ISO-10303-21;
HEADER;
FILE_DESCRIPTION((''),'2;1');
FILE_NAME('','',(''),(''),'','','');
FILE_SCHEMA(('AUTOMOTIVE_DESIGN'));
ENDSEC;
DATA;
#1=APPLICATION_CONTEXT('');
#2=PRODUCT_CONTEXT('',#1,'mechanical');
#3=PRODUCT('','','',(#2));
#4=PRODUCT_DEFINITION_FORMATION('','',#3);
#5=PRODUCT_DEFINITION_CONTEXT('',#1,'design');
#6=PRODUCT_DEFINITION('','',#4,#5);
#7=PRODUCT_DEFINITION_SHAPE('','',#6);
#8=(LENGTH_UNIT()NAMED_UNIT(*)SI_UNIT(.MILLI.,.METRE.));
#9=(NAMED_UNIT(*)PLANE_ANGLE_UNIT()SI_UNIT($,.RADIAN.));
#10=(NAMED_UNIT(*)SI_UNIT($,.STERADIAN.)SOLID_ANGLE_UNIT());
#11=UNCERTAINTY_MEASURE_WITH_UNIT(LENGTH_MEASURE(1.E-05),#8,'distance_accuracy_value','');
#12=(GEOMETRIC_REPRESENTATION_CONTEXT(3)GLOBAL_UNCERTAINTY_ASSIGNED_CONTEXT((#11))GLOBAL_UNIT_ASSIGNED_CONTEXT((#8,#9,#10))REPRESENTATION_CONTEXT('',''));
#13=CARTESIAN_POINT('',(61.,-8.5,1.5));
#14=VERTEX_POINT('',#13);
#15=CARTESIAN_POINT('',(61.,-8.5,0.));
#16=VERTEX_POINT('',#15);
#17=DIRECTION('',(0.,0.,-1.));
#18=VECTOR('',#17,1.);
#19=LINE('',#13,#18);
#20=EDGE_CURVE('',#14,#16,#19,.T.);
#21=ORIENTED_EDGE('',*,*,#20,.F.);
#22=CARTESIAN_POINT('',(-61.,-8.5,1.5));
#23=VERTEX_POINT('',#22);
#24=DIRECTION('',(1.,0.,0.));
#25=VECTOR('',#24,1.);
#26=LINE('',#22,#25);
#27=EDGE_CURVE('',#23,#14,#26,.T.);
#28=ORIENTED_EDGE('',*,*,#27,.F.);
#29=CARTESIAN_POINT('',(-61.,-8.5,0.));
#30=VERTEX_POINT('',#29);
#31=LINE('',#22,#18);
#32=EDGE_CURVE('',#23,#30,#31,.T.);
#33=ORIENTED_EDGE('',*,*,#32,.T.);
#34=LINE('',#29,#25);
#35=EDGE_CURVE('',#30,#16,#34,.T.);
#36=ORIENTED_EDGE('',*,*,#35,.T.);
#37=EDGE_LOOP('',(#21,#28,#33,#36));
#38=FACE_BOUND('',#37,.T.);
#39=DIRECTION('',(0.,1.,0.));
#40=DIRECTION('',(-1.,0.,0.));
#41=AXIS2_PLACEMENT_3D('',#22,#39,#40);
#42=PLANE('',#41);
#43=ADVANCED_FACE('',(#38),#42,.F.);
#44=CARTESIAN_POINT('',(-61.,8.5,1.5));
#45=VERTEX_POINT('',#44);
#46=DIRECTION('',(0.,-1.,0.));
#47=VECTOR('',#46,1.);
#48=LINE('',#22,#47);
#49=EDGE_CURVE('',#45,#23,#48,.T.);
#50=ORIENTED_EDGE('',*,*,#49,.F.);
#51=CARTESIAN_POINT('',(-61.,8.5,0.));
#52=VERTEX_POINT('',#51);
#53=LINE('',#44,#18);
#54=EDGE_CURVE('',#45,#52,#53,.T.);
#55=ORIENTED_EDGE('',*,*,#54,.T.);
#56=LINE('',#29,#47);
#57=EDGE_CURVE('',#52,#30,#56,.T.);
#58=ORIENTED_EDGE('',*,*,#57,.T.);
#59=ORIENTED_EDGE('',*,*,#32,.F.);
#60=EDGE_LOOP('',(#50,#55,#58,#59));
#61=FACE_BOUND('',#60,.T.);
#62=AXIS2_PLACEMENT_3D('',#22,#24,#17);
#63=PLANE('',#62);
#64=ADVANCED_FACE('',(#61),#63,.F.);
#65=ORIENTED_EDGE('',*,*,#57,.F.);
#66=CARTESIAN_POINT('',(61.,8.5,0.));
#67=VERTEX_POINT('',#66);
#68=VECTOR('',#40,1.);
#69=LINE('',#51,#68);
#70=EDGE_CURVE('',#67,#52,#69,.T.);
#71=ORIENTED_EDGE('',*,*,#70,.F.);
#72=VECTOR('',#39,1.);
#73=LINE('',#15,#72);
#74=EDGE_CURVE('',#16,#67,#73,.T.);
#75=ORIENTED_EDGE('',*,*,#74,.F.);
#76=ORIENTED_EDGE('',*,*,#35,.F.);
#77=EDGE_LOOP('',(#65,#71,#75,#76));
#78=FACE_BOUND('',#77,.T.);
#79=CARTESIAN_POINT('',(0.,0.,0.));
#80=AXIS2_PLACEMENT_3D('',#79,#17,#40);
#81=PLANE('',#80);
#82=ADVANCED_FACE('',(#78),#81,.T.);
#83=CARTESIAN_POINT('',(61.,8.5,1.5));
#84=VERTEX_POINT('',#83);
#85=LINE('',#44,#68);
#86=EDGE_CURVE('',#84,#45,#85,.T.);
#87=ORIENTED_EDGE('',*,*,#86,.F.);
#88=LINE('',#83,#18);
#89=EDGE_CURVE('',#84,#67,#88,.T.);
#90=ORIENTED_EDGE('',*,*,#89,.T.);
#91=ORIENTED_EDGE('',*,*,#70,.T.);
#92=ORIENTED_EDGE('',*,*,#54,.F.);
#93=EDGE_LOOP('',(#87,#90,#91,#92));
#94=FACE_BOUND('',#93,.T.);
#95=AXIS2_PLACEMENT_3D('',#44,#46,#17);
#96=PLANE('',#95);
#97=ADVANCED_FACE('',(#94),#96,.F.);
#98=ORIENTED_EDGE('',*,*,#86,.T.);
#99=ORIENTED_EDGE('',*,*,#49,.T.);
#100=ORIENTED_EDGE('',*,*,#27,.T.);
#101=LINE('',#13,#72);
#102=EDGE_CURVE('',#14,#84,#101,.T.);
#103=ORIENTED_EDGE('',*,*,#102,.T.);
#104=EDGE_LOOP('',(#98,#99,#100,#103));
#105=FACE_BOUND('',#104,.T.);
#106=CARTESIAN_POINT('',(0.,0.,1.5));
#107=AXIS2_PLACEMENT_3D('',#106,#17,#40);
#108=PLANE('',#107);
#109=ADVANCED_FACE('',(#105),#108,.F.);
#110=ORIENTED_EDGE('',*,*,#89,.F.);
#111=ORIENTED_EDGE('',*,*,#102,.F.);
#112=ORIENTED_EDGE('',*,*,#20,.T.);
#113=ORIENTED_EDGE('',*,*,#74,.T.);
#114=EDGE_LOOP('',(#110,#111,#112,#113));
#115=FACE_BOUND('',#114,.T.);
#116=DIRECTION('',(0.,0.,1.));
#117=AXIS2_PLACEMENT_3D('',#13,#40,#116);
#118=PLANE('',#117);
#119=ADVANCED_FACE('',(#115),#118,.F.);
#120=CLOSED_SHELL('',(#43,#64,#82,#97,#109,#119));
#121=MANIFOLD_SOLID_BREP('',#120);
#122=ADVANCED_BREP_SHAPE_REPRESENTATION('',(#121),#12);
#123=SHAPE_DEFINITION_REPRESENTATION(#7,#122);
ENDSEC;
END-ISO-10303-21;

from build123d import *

# Parameters (mm, degrees)
SKETCH1_W           = 122
SKETCH1_H           = 17
BOSS_EXTRUDE1_DEPTH = 1.5


with BuildPart() as part:
    # Sketch1 → Boss-Extrude1 (new body)
    with BuildSketch(Plane.XY):
        Rectangle(SKETCH1_W, SKETCH1_H)
    extrude(amount=BOSS_EXTRUDE1_DEPTH)


solid = part.part
